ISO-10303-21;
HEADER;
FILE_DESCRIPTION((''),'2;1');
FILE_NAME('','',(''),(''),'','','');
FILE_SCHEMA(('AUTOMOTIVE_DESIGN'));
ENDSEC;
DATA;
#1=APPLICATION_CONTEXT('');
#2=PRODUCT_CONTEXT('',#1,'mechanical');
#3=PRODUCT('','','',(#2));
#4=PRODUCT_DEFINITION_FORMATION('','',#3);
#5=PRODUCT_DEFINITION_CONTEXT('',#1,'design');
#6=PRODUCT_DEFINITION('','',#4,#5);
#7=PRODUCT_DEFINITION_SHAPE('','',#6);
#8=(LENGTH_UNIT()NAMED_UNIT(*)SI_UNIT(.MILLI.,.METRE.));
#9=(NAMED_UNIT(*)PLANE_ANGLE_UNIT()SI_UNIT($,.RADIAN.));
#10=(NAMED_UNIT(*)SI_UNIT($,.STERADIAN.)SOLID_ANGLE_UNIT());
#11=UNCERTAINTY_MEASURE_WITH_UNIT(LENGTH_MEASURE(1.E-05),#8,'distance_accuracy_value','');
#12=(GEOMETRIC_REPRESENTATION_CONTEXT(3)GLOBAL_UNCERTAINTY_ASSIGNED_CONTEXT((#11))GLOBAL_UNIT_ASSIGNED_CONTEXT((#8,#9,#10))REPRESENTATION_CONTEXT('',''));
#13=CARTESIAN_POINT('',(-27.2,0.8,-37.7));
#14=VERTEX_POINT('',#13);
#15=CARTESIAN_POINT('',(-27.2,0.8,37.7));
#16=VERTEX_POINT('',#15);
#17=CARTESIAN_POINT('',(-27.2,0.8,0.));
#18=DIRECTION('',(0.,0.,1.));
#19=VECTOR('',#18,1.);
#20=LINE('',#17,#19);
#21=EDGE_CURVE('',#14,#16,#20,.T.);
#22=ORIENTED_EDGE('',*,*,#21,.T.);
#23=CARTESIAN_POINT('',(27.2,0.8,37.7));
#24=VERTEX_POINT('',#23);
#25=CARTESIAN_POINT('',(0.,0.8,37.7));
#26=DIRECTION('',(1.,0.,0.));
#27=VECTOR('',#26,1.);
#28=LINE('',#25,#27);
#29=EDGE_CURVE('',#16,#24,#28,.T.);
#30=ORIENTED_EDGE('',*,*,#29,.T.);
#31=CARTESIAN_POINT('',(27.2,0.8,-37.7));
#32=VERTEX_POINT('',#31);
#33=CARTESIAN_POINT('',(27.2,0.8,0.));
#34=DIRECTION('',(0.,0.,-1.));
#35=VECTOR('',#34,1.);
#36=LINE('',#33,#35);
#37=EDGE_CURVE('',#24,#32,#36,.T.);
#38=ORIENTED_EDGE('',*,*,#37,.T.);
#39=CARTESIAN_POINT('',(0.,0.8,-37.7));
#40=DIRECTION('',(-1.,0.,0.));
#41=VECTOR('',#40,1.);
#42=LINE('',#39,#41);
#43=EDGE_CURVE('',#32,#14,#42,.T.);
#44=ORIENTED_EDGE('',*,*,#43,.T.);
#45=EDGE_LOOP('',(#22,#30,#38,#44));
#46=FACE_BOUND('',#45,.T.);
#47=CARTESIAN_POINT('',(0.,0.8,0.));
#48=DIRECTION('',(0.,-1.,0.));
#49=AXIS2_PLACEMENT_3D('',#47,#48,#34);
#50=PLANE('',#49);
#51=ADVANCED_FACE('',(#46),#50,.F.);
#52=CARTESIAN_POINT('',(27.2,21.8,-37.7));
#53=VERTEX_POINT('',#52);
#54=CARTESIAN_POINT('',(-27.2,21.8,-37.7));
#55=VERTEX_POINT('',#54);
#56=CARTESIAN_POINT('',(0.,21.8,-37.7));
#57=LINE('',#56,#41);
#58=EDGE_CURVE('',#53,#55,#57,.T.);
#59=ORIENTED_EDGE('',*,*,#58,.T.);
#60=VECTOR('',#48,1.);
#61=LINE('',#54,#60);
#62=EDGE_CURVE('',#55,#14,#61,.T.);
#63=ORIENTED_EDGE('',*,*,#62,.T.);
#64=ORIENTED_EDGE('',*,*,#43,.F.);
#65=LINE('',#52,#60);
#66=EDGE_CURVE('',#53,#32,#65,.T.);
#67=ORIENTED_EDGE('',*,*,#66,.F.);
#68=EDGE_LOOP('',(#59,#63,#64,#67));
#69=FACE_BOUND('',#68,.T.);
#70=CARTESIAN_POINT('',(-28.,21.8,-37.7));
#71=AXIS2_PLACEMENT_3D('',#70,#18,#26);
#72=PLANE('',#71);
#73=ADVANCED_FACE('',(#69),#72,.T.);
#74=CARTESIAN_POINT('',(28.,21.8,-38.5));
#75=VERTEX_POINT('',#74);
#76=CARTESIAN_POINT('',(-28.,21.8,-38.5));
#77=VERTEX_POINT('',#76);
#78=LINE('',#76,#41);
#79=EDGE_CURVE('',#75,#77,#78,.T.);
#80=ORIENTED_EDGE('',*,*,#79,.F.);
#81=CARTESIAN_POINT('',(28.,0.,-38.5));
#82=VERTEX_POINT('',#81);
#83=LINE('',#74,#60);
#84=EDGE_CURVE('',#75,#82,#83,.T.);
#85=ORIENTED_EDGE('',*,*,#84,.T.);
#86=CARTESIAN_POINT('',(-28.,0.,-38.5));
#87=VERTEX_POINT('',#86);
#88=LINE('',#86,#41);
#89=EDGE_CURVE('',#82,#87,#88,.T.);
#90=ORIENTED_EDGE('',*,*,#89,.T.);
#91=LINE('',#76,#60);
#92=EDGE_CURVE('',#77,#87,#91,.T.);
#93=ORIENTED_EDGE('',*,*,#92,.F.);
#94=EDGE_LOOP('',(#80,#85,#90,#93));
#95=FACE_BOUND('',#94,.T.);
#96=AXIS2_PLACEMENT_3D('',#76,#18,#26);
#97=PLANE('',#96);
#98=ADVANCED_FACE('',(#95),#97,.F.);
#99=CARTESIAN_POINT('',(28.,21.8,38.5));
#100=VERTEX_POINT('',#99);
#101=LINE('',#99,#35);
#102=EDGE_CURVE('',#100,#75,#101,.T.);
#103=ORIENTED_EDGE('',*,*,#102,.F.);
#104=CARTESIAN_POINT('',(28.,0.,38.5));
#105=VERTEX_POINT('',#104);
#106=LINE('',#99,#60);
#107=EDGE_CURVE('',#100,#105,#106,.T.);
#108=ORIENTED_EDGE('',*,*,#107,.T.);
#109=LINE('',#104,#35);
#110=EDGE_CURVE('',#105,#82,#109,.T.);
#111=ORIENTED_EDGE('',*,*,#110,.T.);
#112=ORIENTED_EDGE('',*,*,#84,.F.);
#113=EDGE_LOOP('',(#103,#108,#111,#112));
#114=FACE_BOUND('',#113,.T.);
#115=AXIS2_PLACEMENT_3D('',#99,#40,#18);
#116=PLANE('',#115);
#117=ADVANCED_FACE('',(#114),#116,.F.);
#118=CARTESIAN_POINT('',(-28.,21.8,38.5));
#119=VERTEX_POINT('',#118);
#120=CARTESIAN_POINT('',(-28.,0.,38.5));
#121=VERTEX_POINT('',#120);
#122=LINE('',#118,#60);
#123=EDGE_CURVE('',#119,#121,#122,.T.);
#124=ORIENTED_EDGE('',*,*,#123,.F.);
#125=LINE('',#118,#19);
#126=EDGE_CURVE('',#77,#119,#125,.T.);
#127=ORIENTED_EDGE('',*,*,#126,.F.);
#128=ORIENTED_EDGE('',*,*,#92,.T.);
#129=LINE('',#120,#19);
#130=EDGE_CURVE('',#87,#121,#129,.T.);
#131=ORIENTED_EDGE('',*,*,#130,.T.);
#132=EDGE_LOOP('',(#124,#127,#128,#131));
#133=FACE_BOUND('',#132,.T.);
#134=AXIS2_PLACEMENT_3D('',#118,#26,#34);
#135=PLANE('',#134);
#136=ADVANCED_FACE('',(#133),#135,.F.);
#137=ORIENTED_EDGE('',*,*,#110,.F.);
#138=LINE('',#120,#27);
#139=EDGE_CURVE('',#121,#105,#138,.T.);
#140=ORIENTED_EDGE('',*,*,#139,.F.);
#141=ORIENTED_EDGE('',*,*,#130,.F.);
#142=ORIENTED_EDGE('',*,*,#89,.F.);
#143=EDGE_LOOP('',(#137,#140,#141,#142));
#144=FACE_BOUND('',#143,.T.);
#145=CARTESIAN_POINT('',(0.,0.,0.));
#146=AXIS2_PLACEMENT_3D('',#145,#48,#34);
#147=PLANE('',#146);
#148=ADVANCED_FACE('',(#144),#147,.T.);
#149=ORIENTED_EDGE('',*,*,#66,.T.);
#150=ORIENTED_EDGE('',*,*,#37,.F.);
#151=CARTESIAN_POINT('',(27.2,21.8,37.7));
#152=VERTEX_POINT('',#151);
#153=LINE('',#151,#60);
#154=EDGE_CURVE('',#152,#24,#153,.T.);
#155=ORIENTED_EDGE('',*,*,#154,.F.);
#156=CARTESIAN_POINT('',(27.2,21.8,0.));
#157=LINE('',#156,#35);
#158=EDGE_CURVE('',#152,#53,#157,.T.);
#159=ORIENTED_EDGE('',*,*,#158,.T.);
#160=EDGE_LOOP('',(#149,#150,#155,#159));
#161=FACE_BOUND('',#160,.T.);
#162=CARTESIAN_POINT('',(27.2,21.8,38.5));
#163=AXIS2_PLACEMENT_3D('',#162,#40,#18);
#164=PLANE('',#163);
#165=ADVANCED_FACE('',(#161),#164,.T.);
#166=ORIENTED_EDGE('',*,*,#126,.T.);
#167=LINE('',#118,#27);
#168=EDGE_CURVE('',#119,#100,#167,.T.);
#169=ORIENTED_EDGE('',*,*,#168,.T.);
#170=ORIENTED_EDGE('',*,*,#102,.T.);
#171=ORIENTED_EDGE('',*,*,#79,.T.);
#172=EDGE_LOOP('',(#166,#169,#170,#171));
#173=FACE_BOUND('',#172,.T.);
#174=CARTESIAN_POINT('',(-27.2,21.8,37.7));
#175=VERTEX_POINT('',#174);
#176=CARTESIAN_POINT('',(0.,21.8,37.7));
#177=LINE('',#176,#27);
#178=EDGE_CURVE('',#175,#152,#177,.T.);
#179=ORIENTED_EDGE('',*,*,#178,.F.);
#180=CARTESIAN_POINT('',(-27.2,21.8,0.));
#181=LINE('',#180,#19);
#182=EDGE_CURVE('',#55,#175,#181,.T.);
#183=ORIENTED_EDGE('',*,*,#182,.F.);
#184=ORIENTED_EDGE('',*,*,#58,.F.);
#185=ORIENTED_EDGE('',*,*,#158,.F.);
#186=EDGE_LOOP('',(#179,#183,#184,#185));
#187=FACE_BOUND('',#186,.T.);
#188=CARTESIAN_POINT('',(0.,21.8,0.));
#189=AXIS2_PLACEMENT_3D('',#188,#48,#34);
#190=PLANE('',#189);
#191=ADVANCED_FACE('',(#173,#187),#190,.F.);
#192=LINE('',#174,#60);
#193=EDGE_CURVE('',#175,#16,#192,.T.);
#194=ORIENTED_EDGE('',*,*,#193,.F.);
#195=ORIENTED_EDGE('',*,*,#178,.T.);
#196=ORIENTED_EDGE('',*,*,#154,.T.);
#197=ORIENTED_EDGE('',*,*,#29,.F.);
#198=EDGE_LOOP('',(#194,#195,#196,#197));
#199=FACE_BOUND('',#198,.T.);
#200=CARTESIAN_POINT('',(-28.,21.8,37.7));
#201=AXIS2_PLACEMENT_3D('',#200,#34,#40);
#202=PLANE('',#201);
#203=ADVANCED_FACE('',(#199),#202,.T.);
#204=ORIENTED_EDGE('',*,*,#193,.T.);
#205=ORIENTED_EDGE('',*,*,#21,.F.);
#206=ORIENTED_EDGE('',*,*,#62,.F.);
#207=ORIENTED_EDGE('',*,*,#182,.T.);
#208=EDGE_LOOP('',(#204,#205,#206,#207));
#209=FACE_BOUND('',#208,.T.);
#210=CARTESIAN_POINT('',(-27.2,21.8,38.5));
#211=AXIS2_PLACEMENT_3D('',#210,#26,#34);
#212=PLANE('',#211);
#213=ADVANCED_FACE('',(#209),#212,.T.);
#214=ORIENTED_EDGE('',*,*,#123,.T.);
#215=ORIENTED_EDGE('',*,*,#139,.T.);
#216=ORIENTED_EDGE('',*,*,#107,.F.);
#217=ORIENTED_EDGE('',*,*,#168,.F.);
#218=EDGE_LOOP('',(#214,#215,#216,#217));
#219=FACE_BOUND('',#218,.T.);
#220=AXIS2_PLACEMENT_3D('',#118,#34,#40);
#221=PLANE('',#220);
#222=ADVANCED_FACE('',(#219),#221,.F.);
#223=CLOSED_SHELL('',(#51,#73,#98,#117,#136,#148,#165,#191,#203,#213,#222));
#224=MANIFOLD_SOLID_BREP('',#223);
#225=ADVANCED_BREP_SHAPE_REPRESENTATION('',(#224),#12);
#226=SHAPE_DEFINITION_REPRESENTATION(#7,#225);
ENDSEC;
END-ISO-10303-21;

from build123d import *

# Parameters (mm, degrees)
SKETCH_1_W      = 56
SKETCH_1_H      = 77
EXTRUDE_1_DEPTH = 21.8
SHELL_1_T       = -0.8


with BuildPart() as part:
    # 草图1 → 凸台-拉伸1 (new body)
    with BuildSketch(Plane(origin=(0, 0, 0), x_dir=(1, 0, 0), z_dir=(0, 1, 0))):
        Rectangle(SKETCH_1_W, SKETCH_1_H)
    extrude(amount=EXTRUDE_1_DEPTH)

    # 抽壳1
    shell_1_openings = [part.faces().sort_by_distance(p)[0] for p in [
        (0, 21.8, 0),
    ]]
    offset(amount=SHELL_1_T, openings=shell_1_openings, kind=Kind.INTERSECTION)


solid = part.part
